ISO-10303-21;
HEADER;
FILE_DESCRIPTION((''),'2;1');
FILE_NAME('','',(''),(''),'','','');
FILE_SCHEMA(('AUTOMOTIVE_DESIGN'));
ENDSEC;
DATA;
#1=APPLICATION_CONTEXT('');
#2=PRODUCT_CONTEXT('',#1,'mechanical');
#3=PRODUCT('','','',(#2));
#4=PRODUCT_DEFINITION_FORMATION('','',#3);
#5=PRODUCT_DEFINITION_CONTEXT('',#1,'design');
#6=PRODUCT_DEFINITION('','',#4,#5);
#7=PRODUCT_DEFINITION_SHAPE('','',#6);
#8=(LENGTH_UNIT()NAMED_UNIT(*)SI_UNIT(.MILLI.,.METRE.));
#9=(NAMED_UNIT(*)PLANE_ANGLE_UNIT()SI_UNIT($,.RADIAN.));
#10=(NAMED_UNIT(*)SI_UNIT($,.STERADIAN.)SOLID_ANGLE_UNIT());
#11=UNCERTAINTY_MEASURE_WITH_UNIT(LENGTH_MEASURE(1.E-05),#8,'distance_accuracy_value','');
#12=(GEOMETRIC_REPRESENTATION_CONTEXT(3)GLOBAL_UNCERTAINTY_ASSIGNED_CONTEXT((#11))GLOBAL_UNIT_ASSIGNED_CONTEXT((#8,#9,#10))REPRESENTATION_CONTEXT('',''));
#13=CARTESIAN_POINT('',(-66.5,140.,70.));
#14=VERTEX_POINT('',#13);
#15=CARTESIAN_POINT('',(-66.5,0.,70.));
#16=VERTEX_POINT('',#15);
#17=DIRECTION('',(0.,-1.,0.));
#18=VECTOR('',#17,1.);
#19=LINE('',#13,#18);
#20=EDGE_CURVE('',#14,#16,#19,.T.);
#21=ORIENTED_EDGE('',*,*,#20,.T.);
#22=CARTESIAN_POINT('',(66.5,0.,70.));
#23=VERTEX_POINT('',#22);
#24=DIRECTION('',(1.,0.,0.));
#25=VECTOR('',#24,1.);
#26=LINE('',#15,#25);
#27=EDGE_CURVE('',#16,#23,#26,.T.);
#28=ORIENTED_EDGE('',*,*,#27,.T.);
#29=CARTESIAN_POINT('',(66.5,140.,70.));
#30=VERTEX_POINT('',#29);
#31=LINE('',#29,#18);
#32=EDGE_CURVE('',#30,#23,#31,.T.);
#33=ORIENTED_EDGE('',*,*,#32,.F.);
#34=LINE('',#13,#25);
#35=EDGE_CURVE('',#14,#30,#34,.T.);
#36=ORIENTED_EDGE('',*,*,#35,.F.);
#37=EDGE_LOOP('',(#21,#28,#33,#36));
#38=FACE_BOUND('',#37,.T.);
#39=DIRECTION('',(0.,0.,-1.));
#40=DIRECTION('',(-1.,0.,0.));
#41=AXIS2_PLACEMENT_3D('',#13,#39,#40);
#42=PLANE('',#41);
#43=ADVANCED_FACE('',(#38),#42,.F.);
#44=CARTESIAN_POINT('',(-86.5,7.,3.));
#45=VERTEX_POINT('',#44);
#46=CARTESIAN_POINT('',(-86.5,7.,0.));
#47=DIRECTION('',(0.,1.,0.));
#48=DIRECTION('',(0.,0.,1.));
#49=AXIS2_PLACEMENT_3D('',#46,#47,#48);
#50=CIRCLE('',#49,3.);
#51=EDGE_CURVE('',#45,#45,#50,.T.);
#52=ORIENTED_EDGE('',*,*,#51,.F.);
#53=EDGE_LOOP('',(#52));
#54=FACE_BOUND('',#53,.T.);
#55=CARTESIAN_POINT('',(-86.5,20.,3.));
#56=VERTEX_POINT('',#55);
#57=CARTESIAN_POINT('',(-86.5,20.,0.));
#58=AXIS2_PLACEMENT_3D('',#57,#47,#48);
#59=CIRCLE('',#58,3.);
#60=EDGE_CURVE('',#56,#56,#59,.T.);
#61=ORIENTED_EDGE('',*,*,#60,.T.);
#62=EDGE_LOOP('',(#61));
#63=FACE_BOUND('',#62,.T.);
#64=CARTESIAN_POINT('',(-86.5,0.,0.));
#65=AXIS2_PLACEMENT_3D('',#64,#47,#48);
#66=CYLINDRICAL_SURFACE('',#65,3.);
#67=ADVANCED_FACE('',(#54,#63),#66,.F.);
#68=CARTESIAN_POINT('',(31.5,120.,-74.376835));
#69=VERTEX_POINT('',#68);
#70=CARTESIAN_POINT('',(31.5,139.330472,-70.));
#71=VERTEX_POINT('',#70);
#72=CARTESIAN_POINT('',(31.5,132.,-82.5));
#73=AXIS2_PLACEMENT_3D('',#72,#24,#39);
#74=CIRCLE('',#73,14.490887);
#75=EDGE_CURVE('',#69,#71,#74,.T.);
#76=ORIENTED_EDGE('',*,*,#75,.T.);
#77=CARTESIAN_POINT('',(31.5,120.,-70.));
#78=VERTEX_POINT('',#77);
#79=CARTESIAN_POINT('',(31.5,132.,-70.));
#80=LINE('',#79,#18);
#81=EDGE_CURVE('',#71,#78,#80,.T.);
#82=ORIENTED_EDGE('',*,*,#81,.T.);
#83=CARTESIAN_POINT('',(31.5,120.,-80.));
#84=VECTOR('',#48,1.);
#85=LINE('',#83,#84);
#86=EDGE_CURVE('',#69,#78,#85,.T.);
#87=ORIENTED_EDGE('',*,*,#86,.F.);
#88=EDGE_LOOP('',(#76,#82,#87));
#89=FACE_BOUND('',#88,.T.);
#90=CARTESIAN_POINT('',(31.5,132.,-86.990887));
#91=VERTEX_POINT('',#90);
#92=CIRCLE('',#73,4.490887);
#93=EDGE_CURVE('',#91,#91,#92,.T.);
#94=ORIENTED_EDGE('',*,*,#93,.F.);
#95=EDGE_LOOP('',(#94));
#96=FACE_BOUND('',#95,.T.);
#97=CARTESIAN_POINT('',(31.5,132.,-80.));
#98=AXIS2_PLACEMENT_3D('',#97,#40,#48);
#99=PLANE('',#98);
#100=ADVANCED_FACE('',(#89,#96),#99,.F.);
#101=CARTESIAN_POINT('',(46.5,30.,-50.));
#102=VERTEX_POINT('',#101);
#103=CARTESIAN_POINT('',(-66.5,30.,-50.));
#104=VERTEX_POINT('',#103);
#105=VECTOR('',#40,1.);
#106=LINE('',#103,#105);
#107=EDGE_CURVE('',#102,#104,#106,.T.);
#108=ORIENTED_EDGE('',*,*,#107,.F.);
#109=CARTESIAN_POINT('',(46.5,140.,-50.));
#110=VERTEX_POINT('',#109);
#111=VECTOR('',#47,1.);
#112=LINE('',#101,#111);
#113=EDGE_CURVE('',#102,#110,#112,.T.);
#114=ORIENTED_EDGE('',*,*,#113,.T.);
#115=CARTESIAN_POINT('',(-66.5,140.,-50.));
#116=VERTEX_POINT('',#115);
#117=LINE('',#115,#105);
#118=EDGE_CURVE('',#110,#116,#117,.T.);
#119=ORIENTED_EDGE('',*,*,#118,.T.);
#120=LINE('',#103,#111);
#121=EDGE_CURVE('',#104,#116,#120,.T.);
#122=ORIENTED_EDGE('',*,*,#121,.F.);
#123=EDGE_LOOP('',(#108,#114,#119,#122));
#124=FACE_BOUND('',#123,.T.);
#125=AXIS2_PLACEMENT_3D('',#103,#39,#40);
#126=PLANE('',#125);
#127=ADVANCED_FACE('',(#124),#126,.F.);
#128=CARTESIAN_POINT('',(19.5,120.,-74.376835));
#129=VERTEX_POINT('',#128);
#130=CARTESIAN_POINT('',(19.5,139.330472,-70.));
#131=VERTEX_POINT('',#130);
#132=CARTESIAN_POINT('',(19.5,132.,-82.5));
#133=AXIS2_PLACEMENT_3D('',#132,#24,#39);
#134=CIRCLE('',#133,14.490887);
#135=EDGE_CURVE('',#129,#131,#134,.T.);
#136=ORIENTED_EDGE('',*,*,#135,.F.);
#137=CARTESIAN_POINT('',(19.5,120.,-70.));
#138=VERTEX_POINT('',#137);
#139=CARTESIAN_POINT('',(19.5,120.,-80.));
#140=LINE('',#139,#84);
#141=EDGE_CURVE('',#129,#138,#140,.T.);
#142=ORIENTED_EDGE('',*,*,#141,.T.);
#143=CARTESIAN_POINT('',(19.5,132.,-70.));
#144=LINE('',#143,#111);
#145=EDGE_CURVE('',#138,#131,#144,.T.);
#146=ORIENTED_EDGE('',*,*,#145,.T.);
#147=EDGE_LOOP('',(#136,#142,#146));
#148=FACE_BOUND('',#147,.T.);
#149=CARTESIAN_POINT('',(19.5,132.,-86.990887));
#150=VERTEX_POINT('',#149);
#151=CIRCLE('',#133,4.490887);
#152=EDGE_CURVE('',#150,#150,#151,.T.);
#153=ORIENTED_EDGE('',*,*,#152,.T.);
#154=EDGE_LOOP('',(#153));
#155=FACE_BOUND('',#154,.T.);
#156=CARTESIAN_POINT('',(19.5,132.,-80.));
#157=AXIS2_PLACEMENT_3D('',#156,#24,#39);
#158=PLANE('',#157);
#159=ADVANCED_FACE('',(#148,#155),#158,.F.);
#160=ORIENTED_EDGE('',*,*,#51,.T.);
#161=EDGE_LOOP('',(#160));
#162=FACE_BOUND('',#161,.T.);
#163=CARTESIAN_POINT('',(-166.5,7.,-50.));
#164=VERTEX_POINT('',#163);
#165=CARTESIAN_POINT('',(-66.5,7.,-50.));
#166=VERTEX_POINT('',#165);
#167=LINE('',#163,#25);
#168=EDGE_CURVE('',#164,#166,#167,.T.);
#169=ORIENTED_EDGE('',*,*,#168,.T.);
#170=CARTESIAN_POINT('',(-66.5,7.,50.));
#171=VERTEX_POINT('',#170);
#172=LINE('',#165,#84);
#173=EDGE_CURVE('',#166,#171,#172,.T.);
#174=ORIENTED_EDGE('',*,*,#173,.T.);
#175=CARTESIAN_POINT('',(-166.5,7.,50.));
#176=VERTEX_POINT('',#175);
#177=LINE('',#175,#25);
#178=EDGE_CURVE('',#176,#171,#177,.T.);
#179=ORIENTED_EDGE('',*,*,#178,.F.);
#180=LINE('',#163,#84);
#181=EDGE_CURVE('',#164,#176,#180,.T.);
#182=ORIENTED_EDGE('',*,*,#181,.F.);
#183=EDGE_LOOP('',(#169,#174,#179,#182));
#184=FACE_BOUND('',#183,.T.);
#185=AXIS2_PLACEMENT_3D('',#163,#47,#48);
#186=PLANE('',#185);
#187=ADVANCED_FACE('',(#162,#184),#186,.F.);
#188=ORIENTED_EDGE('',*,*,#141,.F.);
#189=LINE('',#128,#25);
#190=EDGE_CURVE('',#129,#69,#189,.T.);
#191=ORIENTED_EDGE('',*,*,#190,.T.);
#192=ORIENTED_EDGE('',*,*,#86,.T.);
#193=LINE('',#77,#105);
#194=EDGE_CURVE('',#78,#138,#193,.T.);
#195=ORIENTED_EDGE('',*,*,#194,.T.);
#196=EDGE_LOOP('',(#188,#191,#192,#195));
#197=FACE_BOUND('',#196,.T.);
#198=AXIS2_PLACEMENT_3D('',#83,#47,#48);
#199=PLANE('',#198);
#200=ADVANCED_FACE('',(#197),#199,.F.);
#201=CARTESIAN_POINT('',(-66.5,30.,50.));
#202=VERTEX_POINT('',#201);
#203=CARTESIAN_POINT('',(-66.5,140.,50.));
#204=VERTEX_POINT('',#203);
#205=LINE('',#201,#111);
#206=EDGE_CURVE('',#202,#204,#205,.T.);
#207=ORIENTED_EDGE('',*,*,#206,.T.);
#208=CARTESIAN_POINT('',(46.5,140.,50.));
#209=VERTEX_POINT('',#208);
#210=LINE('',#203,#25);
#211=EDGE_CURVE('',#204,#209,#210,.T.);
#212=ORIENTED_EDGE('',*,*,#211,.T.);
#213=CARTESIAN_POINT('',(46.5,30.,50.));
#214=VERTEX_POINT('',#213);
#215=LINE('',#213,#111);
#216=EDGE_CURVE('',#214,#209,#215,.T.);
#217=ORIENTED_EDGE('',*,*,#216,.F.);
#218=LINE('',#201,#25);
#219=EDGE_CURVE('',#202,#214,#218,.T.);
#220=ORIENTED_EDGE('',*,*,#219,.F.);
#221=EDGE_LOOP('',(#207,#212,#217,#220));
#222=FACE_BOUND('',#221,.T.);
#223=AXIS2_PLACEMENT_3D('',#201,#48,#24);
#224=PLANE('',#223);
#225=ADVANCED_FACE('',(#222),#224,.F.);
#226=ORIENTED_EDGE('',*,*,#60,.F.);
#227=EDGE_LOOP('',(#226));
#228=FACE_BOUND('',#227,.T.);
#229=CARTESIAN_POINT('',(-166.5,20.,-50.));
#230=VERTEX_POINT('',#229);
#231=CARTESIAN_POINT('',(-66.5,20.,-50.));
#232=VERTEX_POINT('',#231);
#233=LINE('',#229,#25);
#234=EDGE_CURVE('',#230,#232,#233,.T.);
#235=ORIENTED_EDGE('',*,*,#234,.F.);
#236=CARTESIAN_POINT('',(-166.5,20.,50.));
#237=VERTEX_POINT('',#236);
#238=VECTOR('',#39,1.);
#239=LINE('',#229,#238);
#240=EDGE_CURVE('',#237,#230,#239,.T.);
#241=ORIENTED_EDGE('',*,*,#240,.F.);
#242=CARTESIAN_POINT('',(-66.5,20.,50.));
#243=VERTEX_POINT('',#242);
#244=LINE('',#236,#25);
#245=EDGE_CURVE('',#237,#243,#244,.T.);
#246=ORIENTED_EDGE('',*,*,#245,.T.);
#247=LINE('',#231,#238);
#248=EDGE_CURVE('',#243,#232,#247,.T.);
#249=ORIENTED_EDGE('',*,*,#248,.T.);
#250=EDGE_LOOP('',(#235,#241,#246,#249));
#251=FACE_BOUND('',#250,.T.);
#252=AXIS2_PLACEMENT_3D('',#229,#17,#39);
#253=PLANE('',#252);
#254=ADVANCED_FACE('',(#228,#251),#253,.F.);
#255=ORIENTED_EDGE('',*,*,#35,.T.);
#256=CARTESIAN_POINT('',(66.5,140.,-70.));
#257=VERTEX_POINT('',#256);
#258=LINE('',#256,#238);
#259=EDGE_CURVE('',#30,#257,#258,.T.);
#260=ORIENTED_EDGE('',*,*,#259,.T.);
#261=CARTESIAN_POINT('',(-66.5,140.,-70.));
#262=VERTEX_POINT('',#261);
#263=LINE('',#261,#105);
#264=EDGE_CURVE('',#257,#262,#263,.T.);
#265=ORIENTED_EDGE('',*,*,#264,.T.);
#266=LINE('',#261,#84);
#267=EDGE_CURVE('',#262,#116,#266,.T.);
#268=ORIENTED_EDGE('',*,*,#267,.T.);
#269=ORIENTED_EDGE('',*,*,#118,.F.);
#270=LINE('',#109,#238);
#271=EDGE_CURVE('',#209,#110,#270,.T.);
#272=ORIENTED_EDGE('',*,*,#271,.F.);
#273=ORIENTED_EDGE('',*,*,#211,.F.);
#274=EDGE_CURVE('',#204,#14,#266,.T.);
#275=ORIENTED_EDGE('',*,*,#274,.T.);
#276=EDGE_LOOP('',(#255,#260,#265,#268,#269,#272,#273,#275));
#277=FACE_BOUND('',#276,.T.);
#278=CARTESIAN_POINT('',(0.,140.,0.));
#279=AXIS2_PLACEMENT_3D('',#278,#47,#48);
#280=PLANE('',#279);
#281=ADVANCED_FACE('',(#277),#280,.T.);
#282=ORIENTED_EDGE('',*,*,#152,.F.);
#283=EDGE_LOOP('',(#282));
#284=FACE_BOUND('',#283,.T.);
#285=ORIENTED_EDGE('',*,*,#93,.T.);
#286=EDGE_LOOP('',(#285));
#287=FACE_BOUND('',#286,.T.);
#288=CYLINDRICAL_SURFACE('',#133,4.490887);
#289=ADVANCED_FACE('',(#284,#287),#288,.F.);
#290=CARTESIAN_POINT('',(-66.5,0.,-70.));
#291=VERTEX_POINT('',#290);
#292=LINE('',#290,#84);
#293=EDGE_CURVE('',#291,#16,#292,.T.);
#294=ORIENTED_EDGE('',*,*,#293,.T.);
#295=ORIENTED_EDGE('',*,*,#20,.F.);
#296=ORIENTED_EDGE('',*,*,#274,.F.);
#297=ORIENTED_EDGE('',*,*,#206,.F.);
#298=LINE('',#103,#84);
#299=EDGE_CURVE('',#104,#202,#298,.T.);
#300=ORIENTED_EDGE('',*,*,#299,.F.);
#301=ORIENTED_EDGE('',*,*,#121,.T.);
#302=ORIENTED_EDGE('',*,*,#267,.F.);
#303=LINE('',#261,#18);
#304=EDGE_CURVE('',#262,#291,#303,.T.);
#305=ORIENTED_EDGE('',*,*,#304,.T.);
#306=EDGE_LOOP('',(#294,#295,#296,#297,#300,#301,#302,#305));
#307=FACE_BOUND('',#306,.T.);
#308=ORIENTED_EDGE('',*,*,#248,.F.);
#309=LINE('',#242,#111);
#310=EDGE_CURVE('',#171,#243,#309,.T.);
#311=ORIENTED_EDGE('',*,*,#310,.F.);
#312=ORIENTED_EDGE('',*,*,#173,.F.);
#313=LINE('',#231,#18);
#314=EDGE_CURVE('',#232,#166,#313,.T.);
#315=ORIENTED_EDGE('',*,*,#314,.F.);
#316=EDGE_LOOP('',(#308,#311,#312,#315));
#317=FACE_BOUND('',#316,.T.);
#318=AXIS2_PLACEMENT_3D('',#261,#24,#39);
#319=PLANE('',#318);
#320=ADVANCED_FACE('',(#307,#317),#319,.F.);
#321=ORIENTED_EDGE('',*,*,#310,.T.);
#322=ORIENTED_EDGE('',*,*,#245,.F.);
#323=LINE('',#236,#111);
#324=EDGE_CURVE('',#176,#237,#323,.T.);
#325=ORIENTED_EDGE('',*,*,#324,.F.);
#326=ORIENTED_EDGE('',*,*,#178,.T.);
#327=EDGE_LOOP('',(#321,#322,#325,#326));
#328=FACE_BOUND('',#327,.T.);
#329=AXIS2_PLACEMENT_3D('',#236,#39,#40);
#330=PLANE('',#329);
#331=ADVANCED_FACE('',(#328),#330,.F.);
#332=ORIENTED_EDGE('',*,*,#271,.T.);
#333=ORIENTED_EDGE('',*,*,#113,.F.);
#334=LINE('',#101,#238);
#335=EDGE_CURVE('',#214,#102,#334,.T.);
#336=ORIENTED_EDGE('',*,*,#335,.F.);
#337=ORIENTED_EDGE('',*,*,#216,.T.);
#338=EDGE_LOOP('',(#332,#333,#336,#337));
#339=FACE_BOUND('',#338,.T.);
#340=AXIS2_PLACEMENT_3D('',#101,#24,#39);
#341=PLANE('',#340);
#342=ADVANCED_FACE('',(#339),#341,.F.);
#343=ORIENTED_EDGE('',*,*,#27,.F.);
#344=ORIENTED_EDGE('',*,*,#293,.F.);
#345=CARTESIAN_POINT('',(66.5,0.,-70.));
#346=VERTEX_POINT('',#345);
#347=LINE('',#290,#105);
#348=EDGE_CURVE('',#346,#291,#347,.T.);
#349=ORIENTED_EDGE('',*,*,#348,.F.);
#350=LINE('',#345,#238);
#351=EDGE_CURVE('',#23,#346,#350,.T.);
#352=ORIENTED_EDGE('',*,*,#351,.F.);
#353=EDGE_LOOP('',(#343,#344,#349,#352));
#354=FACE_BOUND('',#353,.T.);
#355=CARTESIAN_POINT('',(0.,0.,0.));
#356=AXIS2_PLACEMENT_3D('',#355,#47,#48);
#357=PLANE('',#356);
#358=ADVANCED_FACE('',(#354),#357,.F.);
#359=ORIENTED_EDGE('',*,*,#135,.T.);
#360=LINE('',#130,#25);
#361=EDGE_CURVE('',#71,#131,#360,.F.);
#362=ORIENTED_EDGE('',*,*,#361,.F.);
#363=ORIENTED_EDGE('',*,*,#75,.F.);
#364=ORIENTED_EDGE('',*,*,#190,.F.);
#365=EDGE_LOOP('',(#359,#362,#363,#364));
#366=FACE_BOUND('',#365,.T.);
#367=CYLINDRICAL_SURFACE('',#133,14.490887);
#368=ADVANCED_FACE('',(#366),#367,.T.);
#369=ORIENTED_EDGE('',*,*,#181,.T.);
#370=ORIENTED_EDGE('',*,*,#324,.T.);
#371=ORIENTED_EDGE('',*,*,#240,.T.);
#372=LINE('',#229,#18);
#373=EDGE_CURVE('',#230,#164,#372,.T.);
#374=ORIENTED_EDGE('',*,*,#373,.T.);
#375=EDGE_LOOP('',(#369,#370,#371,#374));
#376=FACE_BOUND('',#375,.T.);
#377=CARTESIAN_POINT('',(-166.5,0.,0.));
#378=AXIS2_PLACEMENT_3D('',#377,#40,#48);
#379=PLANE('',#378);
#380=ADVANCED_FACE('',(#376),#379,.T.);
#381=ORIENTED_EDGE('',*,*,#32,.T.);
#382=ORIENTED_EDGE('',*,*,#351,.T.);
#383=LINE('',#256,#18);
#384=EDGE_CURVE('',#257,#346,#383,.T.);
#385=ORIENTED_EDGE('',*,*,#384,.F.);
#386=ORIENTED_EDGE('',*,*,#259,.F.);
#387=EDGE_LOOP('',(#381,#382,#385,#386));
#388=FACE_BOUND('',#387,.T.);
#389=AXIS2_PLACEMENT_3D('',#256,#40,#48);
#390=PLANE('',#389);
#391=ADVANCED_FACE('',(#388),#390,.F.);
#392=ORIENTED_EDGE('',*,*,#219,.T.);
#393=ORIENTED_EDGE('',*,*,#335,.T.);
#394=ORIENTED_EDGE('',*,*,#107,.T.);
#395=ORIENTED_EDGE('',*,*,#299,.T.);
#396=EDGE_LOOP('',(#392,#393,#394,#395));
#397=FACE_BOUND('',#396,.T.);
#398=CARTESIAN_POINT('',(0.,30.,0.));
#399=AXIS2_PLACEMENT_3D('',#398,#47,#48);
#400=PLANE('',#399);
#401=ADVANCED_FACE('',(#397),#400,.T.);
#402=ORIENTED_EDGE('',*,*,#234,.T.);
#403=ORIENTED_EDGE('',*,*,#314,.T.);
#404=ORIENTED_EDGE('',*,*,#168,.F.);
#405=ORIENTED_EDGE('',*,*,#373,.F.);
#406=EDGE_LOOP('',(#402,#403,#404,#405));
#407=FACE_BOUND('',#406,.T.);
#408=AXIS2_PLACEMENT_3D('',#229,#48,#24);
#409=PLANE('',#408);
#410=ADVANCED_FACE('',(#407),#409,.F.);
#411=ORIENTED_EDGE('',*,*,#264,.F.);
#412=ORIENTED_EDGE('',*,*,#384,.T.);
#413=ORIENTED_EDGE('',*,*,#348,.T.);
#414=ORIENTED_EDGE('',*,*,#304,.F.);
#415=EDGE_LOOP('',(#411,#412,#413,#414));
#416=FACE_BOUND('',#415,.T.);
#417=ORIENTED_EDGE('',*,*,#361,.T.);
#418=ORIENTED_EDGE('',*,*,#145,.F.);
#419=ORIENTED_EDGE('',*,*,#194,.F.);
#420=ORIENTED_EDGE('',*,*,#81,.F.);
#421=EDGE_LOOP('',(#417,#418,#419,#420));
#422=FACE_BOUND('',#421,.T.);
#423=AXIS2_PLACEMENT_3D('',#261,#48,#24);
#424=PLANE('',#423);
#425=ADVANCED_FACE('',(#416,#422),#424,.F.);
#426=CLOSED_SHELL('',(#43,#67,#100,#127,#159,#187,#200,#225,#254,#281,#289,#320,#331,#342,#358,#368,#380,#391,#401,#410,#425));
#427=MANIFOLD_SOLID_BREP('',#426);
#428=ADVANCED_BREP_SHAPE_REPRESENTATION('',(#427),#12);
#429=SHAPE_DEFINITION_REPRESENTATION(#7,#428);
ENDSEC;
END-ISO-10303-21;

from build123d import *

# Parameters (mm, degrees)
SKETCH_1_W          = 133
SKETCH_1_H          = 140
EXTRUDE_1_DEPTH     = 140
SKETCH_2_W          = 113
SKETCH_2_H          = 100
CUT_EXTRUDE_1_DEPTH = 110
SKETCH_3_W          = 100
SKETCH_3_H          = 13
EXTRUDE_2_DEPTH     = 100
SKETCH_4_R          = 3
CUT_EXTRUDE_3_DEPTH = 217.846143613
SKETCH_5_W          = 12
SKETCH_5_H          = 12
EXTRUDE_3_DEPTH     = 10
SKETCH_6_R          = 14.490887282
SKETCH_6_R_2        = 4.490887282
EXTRUDE_2_2_DEPTH   = 12
SKETCH_7_R          = 4.490887282
CUT_EXTRUDE_4_DEPTH = 265.708919896


with BuildPart() as part:
    # 草圖1 → 填料-伸長1 (new body)
    with BuildSketch(Plane(origin=(0, 0, 0), x_dir=(1, 0, 0), z_dir=(0, 1, 0))):
        Rectangle(SKETCH_1_W, SKETCH_1_H)
    extrude(amount=EXTRUDE_1_DEPTH)

    # 草圖2 → 除料-伸長1 (cut)
    with BuildSketch(Plane(origin=(0, 140, 0), x_dir=(1, 0, 0), z_dir=(0, 1, 0))):
        with Locations((-10, 0)):
            Rectangle(SKETCH_2_W, SKETCH_2_H)
    extrude(amount=-CUT_EXTRUDE_1_DEPTH, mode=Mode.SUBTRACT)

    # 草圖3 → Extrude 2 (add)
    with BuildSketch(Plane.ZY.offset(66.5)):
        with Locations((0, 13.5)):
            Rectangle(SKETCH_3_W, SKETCH_3_H)
    extrude(amount=EXTRUDE_2_DEPTH)

    # 草圖4 → 除料-伸長3 (cut, through all)
    with BuildSketch(Plane(origin=(0, 20, 0), x_dir=(1, 0, 0), z_dir=(0, 1, 0))):
        with Locations(Location((-86.5, 0, 0), (0, 0, 270))):
            Circle(SKETCH_4_R)
    extrude(amount=-CUT_EXTRUDE_3_DEPTH, mode=Mode.SUBTRACT)

    # 草圖5 → 填料-伸長3 (add)
    with BuildSketch(Plane(origin=(0, 0, -70), x_dir=(-1, 0, 0), z_dir=(0, 0, -1))):
        with Locations((-25.5, 126)):
            Rectangle(SKETCH_5_W, SKETCH_5_H)
    extrude(amount=EXTRUDE_3_DEPTH)

    # 草圖6 → Extrude 2 2 (add)
    with BuildSketch(Plane(origin=(31.5, 0, 0), x_dir=(0, 0, -1), z_dir=(1, 0, 0))):
        with Locations((82.5, 132)):
            Circle(SKETCH_6_R)
        with Locations((82.5, 132)):
            Circle(SKETCH_6_R_2, mode=Mode.SUBTRACT)
    extrude(amount=-EXTRUDE_2_2_DEPTH)

    # 草圖7 → 除料-伸長4 (cut, through all)
    with BuildSketch(Plane(origin=(31.5, 0, 0), x_dir=(0, 0, -1), z_dir=(1, 0, 0))):
        with Locations((82.5, 132)):
            Circle(SKETCH_7_R)
    extrude(amount=-CUT_EXTRUDE_4_DEPTH, mode=Mode.SUBTRACT)


solid = part.part
